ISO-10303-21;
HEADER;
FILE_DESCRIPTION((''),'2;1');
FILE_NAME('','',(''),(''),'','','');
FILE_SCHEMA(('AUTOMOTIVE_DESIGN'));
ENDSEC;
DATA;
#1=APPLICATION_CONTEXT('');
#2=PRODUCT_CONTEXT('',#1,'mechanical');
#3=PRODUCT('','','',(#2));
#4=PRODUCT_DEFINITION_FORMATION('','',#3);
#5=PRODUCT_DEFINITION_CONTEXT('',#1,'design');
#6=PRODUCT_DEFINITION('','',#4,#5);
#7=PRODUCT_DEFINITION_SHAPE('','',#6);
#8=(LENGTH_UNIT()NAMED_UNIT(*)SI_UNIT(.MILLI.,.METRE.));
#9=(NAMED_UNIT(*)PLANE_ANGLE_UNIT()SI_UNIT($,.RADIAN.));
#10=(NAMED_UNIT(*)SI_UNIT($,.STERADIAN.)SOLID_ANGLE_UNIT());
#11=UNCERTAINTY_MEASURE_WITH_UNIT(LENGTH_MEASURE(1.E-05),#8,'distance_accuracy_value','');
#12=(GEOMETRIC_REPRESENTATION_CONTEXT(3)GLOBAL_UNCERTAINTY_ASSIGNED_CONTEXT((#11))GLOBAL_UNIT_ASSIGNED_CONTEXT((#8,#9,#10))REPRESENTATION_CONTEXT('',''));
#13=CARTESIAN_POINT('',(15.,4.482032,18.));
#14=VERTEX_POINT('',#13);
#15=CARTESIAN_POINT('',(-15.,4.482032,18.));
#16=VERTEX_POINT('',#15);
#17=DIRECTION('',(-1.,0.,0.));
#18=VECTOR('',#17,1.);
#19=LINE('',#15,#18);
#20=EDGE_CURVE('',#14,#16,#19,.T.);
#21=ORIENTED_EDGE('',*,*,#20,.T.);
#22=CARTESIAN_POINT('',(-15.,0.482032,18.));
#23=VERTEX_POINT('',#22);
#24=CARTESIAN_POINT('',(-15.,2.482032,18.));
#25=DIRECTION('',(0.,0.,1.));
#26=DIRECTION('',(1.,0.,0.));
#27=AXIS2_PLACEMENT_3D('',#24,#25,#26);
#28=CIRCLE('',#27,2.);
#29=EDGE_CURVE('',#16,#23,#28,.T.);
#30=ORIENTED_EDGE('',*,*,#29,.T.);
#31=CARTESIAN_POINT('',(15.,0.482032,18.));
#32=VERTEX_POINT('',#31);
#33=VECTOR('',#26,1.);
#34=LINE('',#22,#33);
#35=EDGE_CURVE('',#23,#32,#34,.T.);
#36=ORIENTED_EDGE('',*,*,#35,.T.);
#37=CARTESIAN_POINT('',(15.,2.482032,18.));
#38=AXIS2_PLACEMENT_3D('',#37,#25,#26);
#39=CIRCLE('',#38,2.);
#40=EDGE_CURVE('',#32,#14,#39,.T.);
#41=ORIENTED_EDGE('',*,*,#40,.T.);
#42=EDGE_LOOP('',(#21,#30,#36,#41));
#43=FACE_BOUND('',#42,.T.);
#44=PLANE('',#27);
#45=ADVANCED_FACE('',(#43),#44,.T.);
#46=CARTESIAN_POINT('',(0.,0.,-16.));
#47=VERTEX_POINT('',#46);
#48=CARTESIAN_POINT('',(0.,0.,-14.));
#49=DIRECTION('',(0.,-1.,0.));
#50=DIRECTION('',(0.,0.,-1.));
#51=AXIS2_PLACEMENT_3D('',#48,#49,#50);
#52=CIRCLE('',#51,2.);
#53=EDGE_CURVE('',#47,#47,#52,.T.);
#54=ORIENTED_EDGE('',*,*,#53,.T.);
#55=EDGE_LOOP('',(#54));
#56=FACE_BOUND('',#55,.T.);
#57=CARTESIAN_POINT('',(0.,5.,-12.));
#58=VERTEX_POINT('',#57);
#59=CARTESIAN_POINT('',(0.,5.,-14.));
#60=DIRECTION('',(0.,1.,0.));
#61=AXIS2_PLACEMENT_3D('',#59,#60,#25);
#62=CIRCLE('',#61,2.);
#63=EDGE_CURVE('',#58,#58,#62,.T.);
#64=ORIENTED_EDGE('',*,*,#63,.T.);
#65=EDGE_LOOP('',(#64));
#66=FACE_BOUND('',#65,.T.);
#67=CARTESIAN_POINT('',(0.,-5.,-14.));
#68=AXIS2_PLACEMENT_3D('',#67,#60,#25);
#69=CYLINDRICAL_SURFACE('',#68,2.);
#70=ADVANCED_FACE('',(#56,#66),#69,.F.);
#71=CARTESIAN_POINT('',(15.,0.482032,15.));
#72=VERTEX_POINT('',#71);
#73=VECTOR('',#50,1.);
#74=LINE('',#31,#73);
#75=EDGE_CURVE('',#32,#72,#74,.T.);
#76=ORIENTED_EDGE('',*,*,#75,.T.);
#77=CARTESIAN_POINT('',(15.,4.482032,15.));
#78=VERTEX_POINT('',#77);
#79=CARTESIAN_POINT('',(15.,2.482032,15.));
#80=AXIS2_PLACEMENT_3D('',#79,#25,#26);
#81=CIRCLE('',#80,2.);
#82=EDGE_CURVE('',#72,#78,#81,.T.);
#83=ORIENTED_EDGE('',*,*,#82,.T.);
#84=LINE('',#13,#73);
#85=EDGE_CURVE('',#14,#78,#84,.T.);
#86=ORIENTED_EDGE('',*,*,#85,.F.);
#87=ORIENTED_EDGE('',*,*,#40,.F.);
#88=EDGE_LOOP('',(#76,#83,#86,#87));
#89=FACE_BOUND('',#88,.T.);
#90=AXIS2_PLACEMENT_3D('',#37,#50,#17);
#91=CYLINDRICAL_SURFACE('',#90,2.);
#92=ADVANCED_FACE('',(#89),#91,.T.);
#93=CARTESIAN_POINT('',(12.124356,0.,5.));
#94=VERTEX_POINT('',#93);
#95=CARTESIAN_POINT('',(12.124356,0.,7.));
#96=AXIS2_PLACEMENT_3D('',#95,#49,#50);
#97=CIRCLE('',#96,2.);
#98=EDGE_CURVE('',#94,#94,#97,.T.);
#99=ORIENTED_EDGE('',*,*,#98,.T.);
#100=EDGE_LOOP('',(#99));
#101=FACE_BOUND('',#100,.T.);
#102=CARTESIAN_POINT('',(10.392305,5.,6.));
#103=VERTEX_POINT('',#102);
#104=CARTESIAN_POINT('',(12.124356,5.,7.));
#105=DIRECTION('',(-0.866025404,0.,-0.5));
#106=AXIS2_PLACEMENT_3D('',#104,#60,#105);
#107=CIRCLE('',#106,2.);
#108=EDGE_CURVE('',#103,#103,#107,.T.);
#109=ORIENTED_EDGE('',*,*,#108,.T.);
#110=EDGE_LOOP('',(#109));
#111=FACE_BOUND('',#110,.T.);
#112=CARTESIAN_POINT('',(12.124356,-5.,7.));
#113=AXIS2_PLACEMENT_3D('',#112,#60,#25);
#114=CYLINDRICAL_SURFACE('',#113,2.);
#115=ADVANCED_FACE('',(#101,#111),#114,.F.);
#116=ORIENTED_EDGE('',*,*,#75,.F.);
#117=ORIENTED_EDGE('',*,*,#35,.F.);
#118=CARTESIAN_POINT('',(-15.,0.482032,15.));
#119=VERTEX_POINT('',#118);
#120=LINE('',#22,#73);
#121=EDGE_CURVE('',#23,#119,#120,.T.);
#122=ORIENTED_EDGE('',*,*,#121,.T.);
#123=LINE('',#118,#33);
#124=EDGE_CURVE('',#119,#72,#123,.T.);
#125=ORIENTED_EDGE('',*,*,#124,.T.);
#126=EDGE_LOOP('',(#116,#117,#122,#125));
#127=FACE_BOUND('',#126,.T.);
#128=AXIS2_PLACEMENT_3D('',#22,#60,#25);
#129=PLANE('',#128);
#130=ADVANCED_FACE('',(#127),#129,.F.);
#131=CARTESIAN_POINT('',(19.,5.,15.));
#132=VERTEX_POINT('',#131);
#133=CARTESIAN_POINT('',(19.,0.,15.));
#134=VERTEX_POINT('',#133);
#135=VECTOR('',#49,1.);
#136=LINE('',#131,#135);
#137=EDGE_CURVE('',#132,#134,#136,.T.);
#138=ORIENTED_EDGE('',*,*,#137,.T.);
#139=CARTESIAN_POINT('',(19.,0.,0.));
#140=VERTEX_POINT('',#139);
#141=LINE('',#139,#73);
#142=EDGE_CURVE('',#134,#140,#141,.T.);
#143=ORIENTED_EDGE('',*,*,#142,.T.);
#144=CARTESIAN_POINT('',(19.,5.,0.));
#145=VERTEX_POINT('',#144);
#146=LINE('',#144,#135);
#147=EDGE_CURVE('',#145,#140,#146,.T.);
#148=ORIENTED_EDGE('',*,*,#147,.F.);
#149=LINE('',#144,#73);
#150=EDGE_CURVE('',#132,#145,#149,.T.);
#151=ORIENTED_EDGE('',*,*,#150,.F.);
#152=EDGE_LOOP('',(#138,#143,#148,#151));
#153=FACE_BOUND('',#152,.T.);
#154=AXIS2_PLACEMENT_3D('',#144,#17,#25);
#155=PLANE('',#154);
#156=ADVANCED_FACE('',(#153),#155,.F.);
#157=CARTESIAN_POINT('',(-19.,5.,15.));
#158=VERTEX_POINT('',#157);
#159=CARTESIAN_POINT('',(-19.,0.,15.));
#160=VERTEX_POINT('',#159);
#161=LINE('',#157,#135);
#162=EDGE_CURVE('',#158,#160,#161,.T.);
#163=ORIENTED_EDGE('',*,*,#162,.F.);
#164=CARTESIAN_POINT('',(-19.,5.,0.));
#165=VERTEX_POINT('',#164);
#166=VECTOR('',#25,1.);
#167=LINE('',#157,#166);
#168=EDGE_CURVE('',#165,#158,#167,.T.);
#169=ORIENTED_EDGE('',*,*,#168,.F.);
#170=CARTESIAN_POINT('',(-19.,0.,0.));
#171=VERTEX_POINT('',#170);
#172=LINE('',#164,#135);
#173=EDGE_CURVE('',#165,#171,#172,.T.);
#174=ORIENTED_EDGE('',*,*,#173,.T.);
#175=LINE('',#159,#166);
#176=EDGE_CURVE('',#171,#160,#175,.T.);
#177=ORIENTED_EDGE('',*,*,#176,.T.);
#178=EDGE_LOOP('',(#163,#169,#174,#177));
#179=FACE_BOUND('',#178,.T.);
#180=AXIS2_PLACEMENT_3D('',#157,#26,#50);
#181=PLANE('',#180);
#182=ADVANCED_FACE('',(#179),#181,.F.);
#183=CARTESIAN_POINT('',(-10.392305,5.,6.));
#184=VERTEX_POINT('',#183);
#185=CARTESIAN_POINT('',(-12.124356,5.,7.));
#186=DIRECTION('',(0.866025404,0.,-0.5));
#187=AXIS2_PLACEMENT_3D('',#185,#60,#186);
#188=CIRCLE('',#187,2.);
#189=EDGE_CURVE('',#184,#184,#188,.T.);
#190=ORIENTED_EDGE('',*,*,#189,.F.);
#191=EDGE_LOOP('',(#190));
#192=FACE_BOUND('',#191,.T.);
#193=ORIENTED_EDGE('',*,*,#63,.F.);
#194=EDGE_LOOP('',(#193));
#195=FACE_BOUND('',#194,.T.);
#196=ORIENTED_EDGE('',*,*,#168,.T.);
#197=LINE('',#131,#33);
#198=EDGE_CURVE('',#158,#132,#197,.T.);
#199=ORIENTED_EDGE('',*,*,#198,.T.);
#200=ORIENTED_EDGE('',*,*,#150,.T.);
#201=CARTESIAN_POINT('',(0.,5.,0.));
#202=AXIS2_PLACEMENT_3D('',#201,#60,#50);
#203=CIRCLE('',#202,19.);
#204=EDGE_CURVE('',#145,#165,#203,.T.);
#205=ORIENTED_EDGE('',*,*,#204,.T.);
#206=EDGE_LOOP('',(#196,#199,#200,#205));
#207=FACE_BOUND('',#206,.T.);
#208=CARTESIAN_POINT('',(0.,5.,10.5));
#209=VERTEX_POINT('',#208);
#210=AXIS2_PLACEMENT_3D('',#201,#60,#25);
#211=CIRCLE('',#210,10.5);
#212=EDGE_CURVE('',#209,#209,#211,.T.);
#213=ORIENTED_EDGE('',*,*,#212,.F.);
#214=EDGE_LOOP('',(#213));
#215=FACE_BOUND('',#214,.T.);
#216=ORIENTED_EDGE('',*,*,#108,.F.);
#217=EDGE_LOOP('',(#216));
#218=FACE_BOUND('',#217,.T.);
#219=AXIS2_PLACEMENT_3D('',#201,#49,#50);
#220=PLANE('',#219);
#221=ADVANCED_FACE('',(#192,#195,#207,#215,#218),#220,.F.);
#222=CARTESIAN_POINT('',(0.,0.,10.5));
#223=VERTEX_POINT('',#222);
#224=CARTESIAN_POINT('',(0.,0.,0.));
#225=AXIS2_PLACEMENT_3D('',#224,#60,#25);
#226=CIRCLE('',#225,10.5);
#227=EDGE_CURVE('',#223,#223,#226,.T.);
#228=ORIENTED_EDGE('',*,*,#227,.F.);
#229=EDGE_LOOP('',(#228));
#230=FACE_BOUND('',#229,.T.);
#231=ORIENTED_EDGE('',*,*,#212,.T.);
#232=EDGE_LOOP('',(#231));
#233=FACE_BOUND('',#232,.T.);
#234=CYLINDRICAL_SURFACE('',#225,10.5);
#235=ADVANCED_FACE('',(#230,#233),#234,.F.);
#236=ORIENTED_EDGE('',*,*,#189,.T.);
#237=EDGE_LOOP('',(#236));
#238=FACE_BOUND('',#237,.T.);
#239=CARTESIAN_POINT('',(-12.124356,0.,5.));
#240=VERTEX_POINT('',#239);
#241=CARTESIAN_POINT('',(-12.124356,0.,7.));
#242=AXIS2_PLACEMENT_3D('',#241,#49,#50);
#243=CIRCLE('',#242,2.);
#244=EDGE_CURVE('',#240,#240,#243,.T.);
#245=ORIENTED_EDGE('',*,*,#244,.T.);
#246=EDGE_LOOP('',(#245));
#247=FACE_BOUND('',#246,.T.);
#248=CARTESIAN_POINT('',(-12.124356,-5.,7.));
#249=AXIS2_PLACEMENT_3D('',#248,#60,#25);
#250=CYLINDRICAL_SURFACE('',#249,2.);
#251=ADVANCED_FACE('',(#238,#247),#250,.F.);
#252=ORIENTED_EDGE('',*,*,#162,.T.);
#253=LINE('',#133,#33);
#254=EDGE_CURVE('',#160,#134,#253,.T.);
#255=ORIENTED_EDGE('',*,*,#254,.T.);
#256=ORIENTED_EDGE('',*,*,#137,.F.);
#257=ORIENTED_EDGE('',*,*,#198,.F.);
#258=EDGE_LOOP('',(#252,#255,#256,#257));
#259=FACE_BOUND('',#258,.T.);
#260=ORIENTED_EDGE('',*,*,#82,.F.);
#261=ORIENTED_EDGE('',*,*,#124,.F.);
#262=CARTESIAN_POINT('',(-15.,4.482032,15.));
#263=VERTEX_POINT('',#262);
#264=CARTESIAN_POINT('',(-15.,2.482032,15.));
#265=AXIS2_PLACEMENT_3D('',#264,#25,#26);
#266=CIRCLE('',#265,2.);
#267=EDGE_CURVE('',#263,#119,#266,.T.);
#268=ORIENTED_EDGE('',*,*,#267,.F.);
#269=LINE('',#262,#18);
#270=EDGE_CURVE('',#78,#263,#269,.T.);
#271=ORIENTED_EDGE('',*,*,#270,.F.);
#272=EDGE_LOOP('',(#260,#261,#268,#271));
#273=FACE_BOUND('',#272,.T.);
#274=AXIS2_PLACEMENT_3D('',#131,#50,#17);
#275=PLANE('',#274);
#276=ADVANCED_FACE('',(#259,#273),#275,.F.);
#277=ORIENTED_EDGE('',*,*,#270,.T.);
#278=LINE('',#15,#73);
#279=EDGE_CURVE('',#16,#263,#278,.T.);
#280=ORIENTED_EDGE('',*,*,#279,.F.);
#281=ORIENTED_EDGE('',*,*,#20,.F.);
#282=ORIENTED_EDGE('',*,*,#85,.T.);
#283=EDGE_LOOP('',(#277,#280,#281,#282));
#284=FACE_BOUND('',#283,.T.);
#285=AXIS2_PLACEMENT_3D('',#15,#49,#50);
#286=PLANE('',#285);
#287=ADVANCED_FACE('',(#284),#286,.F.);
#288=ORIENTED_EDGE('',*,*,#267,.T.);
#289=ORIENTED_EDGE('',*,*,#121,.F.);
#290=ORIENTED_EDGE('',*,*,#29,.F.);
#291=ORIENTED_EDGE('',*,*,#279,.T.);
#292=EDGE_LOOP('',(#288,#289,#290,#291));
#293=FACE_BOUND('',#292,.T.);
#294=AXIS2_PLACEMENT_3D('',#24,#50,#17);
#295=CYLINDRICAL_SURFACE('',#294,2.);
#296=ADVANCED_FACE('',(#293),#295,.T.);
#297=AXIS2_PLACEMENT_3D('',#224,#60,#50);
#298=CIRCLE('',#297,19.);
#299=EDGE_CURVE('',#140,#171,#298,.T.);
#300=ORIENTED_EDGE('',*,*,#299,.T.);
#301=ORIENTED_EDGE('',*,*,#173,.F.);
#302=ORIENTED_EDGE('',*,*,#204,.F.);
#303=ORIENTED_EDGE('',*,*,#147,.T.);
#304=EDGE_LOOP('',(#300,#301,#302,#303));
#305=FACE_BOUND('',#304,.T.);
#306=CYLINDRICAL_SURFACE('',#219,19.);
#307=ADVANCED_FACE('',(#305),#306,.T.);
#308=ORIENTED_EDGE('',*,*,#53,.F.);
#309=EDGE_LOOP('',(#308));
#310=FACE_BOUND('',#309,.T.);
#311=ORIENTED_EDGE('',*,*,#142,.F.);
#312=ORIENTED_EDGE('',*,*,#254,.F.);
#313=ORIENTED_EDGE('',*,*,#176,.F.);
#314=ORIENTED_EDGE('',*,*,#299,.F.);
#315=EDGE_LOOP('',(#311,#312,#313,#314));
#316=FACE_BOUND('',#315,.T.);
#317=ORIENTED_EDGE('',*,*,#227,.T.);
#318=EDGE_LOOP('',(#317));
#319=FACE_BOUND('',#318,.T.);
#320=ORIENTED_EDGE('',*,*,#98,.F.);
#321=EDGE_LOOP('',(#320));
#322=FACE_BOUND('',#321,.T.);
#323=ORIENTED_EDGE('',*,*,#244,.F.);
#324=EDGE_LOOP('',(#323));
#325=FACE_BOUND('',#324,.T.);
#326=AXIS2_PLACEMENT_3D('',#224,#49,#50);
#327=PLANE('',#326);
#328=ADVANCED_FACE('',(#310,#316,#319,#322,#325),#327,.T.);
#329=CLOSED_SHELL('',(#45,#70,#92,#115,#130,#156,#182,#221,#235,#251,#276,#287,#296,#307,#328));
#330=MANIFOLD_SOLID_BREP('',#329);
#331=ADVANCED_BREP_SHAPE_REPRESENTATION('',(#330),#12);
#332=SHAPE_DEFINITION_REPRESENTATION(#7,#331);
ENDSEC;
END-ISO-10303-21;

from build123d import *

# Parameters (mm, degrees)
BOSS_EXTRUDE1_DEPTH = 5
BOSS_EXTRUDE2_DEPTH = 3
SKETCH3_R           = 10.5
CUT_EXTRUDE1_DEPTH  = 5
SKETCH4_R           = 2
CUT_EXTRUDE2_DEPTH  = 10
CIRPATTERN1_COUNT   = 3


with BuildPart() as part:
    # Sketch1 → Boss-Extrude1 (new body)
    with BuildSketch(Plane(origin=(0, 0, 0), x_dir=(1, 0, 0), z_dir=(0, 1, 0))):
        with BuildLine():
            Line((19, 0), (19, -15))
            Line((19, -15), (-19, -15))
            Line((-19, -15), (-19, 0))
            ThreePointArc((-19, 0), (0, 19), (19, 0))
        make_face()
    extrude(amount=BOSS_EXTRUDE1_DEPTH)

    # Sketch2 → Boss-Extrude2 (add)
    with BuildSketch(Plane.XY.offset(15)):
        with BuildLine():
            Line((-15, 4.482032097), (15, 4.482032097))
            ThreePointArc((15, 4.482032097), (17, 2.482032097), (15, 0.482032097))
            Line((15, 0.482032097), (-15, 0.482032097))
            ThreePointArc((-15, 0.482032097), (-17, 2.482032097), (-15, 4.482032097))
        make_face()
    extrude(amount=BOSS_EXTRUDE2_DEPTH)

    # Sketch3 → Cut-Extrude1 (cut)
    with BuildSketch(Plane(origin=(0, 5, 0), x_dir=(1, 0, 0), z_dir=(0, 1, 0))):
        with Locations(Location((0, 0, 0), (0, 0, 270))):
            Circle(SKETCH3_R)
    extrude(amount=-CUT_EXTRUDE1_DEPTH, mode=Mode.SUBTRACT)

    # Sketch4 → Cut-Extrude2 (cut)
    with BuildSketch(Plane(origin=(0, 5, 0), x_dir=(1, 0, 0), z_dir=(0, 1, 0))):
        with Locations(Location((0, 14, 0), (0, 0, 270))):
            Circle(SKETCH4_R)
    cut_extrude2 = extrude(amount=-CUT_EXTRUDE2_DEPTH, mode=Mode.SUBTRACT)

    # CirPattern1: Cut-Extrude2 ×3 about axis
    cirpattern1_axis = Axis((0, 0, 0), (0, 1, 0))
    for i in range(1, CIRPATTERN1_COUNT):
        add(cut_extrude2.rotate(cirpattern1_axis, i * 360 / CIRPATTERN1_COUNT), mode=Mode.SUBTRACT)


solid = part.part
